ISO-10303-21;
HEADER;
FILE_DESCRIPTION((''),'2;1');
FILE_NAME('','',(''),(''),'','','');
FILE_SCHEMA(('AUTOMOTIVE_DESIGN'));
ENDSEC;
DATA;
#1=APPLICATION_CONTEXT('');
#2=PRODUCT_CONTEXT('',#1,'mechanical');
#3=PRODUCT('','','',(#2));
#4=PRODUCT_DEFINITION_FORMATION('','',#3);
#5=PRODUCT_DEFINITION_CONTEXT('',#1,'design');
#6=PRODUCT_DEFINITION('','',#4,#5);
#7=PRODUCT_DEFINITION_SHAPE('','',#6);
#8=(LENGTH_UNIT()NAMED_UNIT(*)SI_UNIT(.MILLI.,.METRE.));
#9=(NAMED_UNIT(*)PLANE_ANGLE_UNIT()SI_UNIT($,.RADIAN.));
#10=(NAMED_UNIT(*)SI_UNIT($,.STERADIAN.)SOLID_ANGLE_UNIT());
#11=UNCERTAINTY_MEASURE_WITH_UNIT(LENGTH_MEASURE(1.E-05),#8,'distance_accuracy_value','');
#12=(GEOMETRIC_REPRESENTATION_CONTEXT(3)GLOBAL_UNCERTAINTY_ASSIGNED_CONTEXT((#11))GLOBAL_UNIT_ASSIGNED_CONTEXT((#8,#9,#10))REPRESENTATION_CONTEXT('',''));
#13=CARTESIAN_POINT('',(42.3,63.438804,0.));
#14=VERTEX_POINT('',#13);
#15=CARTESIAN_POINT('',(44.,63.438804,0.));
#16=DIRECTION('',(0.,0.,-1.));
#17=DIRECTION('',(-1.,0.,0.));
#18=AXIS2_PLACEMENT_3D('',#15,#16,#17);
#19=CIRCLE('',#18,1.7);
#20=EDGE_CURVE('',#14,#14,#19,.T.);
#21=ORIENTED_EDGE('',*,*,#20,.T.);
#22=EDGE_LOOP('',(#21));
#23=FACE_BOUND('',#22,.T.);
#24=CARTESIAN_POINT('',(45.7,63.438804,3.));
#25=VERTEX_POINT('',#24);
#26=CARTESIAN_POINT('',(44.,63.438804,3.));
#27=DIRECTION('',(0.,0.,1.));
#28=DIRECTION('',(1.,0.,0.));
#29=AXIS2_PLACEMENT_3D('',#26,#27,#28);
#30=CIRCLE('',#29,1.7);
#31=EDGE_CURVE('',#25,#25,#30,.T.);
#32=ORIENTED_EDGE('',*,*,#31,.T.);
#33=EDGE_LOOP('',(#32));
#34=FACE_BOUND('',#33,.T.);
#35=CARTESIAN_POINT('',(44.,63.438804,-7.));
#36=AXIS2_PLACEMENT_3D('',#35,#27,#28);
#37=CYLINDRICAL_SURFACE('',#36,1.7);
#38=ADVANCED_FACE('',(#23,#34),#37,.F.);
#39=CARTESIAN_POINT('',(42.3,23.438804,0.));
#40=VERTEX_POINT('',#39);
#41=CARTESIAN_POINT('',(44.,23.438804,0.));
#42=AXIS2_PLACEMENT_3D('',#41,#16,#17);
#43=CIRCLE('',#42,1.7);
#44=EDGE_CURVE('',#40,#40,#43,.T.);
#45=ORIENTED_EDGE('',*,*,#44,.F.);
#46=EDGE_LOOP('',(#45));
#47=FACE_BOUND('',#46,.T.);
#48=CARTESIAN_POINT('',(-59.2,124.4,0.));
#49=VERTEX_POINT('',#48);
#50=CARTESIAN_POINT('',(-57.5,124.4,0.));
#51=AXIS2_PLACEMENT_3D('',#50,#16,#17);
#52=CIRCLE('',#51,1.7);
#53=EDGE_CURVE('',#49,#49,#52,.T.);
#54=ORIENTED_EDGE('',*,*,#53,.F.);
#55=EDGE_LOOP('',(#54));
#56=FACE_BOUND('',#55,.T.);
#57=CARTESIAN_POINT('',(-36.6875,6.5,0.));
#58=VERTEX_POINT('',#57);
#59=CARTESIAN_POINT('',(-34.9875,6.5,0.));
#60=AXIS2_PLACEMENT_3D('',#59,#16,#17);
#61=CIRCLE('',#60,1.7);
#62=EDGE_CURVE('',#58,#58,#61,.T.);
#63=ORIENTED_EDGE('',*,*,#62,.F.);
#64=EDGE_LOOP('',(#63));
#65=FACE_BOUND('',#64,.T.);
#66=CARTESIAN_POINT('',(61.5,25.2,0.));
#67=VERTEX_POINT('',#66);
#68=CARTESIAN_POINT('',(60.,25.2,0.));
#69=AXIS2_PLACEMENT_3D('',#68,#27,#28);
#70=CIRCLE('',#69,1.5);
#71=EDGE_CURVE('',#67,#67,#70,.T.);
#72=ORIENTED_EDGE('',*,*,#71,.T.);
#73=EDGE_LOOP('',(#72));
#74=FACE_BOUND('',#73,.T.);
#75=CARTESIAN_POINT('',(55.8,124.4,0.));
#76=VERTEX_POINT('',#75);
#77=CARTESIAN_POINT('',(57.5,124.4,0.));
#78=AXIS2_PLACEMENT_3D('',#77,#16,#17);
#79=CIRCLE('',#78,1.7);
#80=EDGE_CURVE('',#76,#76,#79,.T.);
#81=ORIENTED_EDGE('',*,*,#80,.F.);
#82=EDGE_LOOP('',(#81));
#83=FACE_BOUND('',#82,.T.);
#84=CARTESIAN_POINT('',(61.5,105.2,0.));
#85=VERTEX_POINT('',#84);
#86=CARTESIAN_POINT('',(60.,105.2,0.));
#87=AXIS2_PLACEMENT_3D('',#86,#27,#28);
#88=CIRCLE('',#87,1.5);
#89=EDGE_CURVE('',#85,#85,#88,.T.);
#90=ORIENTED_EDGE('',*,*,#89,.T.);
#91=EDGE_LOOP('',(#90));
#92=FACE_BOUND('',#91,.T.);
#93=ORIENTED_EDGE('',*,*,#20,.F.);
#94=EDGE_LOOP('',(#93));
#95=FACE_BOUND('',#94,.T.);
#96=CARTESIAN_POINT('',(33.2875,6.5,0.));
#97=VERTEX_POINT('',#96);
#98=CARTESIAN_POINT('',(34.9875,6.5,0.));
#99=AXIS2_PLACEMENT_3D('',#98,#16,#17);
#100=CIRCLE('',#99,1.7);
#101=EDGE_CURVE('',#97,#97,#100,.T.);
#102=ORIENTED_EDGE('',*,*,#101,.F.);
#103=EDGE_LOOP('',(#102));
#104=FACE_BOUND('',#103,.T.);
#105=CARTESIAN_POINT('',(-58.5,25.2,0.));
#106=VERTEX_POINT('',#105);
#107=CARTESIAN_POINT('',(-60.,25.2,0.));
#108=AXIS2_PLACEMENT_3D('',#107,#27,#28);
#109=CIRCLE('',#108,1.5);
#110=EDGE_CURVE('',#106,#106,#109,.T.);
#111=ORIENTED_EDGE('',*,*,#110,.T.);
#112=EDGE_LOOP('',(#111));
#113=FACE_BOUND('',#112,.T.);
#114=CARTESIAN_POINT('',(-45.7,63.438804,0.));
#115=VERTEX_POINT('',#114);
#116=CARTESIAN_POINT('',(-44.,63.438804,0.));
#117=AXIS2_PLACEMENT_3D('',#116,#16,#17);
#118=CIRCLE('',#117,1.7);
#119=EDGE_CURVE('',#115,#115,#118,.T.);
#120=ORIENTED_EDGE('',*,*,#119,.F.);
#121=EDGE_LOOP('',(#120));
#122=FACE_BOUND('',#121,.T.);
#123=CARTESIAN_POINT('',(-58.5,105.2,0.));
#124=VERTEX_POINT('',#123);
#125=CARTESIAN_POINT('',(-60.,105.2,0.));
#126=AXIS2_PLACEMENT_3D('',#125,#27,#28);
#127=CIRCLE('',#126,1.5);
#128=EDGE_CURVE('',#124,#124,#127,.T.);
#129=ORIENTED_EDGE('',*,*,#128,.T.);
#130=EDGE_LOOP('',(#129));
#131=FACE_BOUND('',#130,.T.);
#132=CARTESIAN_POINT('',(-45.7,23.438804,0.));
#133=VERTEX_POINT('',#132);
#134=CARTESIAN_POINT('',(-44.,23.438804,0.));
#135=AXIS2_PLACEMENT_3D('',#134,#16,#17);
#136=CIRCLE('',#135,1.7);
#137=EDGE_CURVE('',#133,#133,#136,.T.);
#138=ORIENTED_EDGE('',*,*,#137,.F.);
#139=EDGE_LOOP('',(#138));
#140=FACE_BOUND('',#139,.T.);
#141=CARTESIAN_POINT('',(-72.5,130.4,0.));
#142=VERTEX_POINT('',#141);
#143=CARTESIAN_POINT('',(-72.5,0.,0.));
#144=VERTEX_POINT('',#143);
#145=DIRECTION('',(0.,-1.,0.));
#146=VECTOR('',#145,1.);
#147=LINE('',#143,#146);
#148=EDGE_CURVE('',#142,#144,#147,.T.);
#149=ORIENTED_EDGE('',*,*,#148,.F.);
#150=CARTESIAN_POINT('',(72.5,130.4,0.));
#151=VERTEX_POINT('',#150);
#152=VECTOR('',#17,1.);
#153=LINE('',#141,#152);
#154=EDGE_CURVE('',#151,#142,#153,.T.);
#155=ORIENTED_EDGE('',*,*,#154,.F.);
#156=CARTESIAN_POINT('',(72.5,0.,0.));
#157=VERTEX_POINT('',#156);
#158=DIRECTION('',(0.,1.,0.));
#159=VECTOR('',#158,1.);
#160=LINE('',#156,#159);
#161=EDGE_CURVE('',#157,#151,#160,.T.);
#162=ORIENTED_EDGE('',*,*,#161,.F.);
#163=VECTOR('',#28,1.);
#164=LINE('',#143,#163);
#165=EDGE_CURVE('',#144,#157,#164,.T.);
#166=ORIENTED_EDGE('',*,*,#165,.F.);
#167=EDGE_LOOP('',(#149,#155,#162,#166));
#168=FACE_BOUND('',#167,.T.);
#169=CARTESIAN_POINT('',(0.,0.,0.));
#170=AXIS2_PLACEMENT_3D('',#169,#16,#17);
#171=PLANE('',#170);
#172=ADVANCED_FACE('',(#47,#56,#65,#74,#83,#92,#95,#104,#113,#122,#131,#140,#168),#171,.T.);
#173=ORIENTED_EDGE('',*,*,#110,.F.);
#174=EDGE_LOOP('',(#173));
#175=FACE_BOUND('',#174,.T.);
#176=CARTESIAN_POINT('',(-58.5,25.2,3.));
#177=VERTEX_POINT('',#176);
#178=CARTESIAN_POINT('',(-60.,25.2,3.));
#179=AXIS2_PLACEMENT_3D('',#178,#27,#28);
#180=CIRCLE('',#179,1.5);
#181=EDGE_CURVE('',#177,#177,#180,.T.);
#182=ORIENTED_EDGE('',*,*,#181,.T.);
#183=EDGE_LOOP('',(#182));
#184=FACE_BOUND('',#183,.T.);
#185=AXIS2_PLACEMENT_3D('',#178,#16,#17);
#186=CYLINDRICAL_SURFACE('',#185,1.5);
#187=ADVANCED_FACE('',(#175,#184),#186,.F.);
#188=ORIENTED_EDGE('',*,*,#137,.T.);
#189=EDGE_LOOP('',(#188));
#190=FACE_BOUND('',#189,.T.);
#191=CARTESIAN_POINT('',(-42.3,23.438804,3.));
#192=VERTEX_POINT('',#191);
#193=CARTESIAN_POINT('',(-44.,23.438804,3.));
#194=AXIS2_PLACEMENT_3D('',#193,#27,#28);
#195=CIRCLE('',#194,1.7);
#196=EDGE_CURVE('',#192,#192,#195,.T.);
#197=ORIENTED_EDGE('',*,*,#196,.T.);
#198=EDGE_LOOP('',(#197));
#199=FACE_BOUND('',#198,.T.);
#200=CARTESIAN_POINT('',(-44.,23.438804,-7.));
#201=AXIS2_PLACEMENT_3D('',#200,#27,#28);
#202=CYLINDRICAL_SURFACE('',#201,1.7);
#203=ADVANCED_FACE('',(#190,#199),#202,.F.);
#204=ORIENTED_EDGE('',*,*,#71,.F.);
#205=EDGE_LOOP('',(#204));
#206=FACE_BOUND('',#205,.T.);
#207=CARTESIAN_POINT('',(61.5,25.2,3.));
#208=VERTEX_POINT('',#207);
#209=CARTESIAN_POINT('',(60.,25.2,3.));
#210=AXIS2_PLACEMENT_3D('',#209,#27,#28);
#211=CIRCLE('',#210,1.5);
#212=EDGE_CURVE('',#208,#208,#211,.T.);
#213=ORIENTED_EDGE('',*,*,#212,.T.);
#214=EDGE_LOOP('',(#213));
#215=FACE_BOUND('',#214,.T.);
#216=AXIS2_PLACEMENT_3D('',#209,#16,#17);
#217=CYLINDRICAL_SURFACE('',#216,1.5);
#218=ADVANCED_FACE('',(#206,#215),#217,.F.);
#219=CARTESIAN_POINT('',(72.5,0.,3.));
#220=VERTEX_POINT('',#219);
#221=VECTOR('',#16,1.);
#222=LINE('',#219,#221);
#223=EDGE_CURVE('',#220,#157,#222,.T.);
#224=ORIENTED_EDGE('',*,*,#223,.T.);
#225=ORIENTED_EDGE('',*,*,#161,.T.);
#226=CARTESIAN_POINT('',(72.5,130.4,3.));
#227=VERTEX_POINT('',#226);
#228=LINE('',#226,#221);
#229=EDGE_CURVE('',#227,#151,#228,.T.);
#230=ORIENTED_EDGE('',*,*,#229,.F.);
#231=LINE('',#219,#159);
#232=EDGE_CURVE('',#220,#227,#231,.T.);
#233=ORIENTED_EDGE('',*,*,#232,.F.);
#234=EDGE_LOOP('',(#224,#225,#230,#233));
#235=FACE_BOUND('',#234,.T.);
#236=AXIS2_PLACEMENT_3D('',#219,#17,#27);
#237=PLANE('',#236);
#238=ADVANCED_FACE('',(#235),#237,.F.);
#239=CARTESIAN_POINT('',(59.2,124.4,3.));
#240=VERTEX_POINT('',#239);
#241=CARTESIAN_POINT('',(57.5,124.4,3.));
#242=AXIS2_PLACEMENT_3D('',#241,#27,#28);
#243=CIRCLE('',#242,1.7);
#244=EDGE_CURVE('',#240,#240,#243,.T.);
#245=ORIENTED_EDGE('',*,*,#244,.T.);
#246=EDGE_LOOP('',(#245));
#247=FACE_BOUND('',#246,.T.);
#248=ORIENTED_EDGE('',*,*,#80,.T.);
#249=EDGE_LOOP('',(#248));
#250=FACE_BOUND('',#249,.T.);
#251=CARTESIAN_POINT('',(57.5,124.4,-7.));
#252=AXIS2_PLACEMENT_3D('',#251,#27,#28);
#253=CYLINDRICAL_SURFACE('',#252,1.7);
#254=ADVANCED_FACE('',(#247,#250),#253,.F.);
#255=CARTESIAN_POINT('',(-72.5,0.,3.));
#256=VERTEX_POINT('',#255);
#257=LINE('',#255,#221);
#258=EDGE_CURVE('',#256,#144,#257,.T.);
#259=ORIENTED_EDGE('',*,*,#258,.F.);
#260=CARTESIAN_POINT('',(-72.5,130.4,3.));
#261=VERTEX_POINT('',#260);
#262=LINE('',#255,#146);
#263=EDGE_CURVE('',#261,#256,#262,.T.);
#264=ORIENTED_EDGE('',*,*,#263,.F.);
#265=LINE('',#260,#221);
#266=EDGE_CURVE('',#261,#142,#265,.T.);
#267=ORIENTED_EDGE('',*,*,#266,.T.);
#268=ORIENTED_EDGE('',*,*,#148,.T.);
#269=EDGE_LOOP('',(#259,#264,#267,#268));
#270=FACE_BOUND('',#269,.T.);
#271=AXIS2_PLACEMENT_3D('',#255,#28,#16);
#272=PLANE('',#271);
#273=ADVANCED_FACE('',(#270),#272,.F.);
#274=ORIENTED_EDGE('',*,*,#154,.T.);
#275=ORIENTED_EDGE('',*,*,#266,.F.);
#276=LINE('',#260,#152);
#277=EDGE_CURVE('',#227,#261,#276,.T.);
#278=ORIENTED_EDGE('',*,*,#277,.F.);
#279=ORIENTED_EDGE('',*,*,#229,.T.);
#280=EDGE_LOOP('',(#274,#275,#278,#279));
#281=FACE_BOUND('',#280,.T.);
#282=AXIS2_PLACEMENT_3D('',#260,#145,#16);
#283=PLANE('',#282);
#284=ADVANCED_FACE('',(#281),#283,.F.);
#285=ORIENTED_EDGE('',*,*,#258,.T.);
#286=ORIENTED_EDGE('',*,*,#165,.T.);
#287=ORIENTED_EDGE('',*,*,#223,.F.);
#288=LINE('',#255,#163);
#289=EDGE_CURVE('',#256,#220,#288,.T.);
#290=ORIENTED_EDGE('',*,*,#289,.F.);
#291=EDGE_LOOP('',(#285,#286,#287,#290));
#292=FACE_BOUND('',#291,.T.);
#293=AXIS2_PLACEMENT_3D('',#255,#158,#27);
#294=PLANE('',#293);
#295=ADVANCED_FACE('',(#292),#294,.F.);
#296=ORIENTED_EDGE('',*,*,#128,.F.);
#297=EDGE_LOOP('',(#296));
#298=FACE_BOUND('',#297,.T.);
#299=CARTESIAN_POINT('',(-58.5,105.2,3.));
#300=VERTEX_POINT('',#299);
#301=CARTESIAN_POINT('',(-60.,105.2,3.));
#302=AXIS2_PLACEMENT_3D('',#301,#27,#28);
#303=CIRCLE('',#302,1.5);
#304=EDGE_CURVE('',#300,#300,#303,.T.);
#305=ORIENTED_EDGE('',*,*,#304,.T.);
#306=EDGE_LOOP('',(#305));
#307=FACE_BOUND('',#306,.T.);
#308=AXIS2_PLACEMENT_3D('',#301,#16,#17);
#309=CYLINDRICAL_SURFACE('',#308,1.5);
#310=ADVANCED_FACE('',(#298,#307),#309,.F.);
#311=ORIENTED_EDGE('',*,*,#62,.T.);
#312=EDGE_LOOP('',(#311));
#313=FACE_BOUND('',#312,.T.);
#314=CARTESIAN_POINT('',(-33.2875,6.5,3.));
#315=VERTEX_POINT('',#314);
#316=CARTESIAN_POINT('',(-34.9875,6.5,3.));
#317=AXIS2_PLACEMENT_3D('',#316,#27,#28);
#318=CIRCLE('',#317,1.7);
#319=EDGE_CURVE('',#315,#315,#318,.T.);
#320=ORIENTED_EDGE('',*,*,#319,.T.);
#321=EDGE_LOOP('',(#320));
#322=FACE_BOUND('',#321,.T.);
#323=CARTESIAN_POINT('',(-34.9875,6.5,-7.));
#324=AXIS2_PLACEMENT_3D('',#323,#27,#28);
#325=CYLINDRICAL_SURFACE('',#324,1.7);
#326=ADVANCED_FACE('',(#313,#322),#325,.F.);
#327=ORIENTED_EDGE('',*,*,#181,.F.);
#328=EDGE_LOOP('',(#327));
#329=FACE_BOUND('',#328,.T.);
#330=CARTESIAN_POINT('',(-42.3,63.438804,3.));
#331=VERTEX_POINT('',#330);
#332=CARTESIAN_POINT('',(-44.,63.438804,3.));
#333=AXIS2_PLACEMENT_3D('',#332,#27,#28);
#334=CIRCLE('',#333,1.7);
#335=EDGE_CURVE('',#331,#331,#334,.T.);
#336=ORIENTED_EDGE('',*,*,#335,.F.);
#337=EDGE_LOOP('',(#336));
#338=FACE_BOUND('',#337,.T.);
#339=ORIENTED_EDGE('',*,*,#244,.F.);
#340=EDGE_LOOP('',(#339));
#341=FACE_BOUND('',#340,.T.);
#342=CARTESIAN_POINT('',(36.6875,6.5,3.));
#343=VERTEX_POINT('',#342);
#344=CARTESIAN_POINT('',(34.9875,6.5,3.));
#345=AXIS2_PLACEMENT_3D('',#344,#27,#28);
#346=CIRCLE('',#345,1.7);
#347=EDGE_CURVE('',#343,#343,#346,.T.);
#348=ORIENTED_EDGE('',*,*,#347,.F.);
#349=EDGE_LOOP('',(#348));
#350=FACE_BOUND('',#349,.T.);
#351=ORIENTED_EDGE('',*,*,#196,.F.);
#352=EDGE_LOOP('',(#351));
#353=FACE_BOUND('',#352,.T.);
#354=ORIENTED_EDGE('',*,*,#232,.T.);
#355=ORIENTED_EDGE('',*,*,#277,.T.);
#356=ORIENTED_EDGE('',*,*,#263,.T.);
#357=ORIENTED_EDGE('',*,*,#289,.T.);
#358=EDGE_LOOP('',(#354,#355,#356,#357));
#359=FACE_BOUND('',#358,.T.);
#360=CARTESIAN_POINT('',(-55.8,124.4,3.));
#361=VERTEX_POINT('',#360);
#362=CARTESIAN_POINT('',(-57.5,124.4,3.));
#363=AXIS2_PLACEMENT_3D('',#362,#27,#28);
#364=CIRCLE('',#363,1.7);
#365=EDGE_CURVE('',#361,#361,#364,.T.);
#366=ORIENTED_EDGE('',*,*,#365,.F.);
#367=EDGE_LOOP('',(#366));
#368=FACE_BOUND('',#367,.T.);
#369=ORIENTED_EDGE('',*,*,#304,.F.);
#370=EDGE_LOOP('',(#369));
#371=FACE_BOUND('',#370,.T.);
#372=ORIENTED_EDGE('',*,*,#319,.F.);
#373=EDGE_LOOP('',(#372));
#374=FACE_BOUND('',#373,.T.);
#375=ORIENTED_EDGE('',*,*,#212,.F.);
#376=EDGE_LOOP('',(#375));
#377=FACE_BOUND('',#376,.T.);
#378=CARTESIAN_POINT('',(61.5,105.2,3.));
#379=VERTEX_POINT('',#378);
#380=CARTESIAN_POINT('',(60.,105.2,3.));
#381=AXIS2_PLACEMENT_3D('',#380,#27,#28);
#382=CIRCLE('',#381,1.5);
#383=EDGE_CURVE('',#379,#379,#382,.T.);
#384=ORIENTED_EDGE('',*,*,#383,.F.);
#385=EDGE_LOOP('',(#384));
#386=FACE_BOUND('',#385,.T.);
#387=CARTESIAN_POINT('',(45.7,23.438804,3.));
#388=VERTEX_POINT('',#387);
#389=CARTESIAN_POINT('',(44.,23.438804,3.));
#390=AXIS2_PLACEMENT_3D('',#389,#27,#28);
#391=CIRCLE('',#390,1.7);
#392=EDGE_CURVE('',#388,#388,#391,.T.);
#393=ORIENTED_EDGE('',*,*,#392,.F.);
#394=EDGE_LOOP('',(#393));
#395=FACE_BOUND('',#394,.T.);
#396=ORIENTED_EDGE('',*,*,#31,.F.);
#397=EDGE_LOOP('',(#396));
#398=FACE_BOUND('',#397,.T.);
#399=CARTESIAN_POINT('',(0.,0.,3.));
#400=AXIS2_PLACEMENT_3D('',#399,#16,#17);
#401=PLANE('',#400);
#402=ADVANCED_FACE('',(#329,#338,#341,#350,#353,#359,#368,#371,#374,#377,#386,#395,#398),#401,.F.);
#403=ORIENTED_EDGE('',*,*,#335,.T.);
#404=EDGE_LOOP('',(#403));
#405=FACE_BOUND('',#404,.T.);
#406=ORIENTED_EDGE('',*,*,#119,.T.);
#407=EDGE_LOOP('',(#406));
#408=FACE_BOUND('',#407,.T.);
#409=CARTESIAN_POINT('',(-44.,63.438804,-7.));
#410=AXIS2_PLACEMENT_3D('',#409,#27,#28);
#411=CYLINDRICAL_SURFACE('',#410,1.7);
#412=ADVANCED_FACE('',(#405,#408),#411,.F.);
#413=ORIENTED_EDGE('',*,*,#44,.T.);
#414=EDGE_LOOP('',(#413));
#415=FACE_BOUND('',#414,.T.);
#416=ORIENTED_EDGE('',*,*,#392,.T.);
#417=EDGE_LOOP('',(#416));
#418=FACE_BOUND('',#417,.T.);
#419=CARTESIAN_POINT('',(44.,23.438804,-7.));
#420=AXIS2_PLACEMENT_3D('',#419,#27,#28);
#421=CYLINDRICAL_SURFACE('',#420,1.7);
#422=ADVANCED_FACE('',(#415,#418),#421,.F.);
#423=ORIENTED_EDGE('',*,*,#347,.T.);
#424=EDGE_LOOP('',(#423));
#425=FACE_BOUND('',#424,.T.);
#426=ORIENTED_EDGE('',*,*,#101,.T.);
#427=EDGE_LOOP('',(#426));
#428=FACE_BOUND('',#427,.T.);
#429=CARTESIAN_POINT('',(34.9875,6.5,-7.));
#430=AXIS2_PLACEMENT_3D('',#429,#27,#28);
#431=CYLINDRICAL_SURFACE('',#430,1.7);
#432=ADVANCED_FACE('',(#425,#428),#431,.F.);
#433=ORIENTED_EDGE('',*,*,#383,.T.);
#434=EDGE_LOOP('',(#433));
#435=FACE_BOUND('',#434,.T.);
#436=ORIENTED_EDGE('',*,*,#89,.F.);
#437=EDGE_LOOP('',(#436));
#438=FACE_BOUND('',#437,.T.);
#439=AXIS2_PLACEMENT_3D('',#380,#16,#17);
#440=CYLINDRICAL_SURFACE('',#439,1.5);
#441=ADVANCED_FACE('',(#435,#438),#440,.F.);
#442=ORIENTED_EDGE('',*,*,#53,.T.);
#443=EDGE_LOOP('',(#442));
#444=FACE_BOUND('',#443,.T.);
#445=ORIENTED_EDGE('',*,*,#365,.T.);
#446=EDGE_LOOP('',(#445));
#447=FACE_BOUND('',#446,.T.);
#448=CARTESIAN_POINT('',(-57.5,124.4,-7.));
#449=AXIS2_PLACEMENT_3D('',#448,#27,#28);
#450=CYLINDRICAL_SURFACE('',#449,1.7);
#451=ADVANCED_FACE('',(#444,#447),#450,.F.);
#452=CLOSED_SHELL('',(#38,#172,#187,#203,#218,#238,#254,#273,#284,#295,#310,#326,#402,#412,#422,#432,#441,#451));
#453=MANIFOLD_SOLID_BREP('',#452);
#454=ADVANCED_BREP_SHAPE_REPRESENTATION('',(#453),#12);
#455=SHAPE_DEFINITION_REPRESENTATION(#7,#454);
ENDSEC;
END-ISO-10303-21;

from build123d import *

# Parameters (mm, degrees)
SKETCH1_W             = 145
SKETCH1_H             = 130.4
SKETCH1_R             = 1.5
BOSS_EXTRUDE1_DEPTH   = 3
SKETCH3_R             = 1.7
DEPENDENT_HOLES_DEPTH = 10


with BuildPart() as part:
    # Sketch1 → Boss-Extrude1 (new body)
    with BuildSketch(Plane.XY):
        with Locations((0, 65.2)):
            Rectangle(SKETCH1_W, SKETCH1_H)
        with Locations((-60, 105.2)):
            Circle(SKETCH1_R, mode=Mode.SUBTRACT)
        with Locations((60, 105.2)):
            Circle(SKETCH1_R, mode=Mode.SUBTRACT)
        with Locations((60, 25.2)):
            Circle(SKETCH1_R, mode=Mode.SUBTRACT)
        with Locations((-60, 25.2)):
            Circle(SKETCH1_R, mode=Mode.SUBTRACT)
    extrude(amount=BOSS_EXTRUDE1_DEPTH)

    # Sketch3 → dependent_holes (cut)
    with BuildSketch(Plane.XY.offset(3)):
        with Locations((-57.5, 124.4)):
            Circle(SKETCH3_R)
        with Locations((57.5, 124.4)):
            Circle(SKETCH3_R)
        with Locations((-44, 63.438804225)):
            Circle(SKETCH3_R)
        with Locations((-44, 23.438804225)):
            Circle(SKETCH3_R)
        with Locations((44, 23.438804225)):
            Circle(SKETCH3_R)
        with Locations((44, 63.438804225)):
            Circle(SKETCH3_R)
        with Locations((-34.9875, 6.5)):
            Circle(SKETCH3_R)
        with Locations((34.9875, 6.5)):
            Circle(SKETCH3_R)
    extrude(amount=-DEPENDENT_HOLES_DEPTH, mode=Mode.SUBTRACT)


solid = part.part
